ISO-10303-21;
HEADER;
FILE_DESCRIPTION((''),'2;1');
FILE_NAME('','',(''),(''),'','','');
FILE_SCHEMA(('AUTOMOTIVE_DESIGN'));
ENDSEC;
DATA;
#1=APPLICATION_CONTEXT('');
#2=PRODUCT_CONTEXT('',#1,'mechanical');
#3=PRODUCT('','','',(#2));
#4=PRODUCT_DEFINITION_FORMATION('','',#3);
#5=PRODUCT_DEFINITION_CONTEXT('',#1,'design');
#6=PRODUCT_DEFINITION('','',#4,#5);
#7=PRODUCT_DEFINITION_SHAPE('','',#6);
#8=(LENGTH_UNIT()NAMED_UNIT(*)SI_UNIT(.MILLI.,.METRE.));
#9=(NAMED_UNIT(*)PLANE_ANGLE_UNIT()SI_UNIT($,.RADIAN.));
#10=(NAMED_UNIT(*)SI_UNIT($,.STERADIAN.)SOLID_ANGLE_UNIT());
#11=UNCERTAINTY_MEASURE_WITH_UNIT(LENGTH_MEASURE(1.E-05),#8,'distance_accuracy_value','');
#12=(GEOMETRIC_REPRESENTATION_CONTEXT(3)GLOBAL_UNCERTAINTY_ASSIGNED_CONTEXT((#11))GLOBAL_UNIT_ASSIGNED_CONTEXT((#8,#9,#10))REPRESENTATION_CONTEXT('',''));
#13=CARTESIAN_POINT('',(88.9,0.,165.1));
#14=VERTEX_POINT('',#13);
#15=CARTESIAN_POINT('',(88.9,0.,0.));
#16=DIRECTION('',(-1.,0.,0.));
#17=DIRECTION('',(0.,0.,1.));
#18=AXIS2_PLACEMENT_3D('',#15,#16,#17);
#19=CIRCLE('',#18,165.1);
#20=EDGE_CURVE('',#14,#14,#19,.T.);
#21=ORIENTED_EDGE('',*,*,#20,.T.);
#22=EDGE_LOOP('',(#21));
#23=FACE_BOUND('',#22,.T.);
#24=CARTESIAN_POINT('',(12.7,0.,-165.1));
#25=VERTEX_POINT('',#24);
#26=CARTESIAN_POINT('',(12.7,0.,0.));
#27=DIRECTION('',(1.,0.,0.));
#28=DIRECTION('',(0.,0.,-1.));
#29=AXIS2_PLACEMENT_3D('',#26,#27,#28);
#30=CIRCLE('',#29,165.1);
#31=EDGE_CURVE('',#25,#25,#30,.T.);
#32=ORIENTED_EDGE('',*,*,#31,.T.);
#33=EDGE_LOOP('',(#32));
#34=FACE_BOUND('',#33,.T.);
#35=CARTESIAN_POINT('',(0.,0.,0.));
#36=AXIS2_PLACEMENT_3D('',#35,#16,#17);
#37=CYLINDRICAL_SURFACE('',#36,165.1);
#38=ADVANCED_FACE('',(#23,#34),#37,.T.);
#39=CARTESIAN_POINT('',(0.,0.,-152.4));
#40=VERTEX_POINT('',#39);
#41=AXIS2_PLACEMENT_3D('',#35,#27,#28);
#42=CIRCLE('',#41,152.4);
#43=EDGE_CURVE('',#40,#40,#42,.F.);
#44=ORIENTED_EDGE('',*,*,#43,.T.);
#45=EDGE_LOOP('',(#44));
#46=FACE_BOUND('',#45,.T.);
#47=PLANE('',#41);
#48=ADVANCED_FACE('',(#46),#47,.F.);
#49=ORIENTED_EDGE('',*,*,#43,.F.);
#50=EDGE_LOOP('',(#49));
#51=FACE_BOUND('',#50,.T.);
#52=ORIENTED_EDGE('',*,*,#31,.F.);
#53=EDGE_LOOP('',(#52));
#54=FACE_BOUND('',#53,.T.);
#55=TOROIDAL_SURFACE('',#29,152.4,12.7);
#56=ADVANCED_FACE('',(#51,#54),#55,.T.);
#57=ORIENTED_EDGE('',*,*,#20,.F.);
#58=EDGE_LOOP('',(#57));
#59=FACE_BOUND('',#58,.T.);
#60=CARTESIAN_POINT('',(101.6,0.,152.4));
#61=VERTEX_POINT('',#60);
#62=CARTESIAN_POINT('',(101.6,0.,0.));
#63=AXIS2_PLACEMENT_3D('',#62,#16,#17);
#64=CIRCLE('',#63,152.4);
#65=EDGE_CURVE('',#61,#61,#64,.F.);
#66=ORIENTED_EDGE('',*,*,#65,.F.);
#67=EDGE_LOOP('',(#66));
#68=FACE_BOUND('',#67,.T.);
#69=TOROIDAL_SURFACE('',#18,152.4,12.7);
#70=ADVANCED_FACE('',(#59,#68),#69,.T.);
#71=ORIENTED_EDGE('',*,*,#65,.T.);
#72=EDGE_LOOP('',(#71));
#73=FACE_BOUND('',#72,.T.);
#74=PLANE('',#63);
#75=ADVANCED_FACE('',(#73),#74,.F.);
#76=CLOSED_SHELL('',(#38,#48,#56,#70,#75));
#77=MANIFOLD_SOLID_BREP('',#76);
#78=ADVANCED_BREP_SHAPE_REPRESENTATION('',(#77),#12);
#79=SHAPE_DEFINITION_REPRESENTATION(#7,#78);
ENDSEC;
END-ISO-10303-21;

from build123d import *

# Parameters (mm, degrees)
SKETCH1_W = 101.6
SKETCH1_H = 165.1
FILLET1_R = 12.7


with BuildPart() as part:
    # Sketch1 → Revolve1 (revolve)
    with BuildSketch(Plane.XY, mode=Mode.PRIVATE) as revolve1_sk:
        with Locations((50.8, 82.55)):
            Rectangle(SKETCH1_W, SKETCH1_H)
    revolve(revolve1_sk.sketch.rotate(Axis((0, 0, 0), (1, 0, 0)), 90), axis=Axis((0, 0, 0), (1, 0, 0)))

    # Fillet1
    fillet1_edges = [part.edges().sort_by_distance(p)[0] for p in [
        (101.6, 0, -165.1),
        (0, 0, -165.1),
    ]]
    fillet(fillet1_edges, radius=FILLET1_R)


solid = part.part
